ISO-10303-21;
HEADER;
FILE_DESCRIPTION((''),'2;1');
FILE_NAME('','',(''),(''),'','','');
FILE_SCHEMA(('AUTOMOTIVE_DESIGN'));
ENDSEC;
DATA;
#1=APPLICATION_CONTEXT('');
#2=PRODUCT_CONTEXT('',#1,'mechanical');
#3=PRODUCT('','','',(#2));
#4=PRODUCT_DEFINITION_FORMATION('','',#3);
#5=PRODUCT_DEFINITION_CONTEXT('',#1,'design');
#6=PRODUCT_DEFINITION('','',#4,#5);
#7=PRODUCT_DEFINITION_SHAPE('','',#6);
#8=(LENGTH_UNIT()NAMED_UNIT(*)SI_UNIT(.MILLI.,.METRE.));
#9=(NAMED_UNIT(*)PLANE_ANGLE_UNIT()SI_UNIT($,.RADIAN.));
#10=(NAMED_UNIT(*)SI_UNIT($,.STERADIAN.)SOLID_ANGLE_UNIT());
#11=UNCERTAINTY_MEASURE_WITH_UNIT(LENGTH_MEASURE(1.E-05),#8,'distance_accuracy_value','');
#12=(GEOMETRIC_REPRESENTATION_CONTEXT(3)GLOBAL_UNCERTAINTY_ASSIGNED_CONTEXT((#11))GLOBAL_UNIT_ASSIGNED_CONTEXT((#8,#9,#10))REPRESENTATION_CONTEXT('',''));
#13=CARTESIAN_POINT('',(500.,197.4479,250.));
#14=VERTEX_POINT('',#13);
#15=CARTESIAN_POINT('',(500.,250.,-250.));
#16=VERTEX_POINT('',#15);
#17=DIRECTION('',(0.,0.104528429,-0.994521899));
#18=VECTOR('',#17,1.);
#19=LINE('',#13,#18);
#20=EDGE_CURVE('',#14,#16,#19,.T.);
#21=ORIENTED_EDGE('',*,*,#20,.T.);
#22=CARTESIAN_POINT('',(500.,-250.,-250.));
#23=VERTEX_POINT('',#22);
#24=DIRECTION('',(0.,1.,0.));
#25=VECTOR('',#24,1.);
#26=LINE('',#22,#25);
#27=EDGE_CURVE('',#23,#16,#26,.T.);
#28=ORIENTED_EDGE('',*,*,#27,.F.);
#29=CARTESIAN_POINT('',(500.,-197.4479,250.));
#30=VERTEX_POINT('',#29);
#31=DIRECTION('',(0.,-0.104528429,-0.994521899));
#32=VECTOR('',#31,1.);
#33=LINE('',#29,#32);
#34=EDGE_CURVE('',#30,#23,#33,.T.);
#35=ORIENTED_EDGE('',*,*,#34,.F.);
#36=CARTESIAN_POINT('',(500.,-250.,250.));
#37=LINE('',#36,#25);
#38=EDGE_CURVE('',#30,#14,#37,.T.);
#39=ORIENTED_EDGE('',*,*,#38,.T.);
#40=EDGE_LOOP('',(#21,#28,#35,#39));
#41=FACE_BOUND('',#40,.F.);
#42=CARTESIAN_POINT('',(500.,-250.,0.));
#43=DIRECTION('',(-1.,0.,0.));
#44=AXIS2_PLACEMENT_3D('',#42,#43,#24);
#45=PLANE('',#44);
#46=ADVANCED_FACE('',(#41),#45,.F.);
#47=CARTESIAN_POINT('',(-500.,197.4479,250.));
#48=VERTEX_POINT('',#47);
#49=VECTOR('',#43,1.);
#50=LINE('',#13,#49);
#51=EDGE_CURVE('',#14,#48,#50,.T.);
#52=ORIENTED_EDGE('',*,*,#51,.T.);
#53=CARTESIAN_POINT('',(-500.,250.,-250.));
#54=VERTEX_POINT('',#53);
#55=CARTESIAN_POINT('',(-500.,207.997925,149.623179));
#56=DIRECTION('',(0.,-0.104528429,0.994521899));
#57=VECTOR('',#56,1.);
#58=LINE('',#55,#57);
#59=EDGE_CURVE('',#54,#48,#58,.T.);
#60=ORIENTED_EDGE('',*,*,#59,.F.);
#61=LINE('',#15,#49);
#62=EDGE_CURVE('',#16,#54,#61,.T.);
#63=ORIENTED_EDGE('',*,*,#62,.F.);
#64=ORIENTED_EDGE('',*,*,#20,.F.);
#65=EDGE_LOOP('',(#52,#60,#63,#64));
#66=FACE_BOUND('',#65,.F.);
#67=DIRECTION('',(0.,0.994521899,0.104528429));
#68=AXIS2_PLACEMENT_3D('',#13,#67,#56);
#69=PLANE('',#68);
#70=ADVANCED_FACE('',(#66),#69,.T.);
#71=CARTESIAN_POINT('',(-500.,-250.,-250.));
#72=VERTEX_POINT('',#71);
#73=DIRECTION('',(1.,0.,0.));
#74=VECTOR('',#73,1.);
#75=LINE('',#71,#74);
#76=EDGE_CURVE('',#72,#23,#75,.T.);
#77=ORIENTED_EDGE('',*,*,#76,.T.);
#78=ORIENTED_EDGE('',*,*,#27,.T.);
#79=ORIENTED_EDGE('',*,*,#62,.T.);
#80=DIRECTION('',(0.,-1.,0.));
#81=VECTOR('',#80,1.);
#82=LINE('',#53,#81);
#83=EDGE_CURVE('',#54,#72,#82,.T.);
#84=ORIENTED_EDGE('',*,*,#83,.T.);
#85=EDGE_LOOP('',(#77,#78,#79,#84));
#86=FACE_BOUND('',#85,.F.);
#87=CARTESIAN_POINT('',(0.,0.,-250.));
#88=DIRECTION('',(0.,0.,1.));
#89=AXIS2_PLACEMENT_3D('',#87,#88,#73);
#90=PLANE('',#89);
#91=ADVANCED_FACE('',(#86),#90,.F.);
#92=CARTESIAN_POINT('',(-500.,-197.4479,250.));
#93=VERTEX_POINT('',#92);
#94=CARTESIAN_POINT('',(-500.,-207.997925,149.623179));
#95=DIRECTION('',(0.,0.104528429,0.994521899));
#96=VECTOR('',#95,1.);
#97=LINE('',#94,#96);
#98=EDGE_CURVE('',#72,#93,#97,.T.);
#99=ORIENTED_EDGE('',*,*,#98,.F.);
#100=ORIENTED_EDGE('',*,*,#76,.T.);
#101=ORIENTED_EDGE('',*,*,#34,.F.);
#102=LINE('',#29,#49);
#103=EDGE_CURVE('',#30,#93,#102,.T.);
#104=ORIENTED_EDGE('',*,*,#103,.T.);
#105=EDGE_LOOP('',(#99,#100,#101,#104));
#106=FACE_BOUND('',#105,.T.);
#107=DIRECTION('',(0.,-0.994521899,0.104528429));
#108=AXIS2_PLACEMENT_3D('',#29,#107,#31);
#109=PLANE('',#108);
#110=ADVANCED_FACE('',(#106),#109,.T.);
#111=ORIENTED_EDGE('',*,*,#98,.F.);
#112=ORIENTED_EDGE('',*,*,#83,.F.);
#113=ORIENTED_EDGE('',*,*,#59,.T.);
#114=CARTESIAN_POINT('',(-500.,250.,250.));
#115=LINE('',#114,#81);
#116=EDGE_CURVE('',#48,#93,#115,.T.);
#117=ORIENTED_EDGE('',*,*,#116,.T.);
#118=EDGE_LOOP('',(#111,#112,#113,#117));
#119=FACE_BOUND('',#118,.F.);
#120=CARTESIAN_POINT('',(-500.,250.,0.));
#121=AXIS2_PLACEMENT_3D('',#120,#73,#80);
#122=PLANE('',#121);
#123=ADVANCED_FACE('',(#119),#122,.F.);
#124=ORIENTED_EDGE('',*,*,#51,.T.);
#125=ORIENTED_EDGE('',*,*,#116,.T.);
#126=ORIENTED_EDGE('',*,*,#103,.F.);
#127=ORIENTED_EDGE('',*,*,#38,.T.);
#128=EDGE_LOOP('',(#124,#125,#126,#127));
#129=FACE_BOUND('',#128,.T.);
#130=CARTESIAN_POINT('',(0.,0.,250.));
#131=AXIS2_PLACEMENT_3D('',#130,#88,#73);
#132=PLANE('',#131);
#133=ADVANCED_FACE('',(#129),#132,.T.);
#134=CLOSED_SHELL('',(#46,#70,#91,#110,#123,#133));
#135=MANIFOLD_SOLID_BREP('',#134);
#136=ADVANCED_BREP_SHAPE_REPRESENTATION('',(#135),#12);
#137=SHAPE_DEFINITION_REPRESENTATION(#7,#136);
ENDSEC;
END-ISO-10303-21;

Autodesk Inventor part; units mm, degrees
sketch "Sketch5" plane through (0, 0, 0) normal (0, 0, 1) x (1, 0, 0)
  line L0 (-500, -250) -> (500, -250)
  line L1 (500, -250) -> (500, 250)
  line L2 (500, 250) -> (-500, 250)
  line L3 (-500, 250) -> (-500, -250)
  line L4 (-500, -250) -> (500, 250) construction
  line L5 (500, -250) -> (-500, 250) construction
  point P0 (0, 0)
  dimension "d11" = 1000
  dimension "d12" = 500
extrude "Extrusion3" add sketch "Sketch5" along normal mid plane 500
sketch "Sketch6" plane through (500, -250, 250) normal (1, 0, 0) x (0, 0, -1)
  line L0 (0, 0) -> (0, 500) construction
  line L1 (500, 0) -> (500, 500) construction
  line L2 (0, 52.5521) -> (500, 0)
  line L3 (500, 0) -> (0, 0)
  line L4 (0, 0) -> (0, 52.5521)
  point P0 (250, 250)
  dimension "d15" = 6
extrude "Extrusion4" cut sketch "Sketch6" against normal up to next
mirror "Mirror2" about plane through (0, 0, 0) normal (0, 1, 0) of "Extrusion4"
sketch "Sketch7" plane through (-500, -250, -250) normal (0, -0.9945, 0.1045) x (1, 0, 0)
  line L0 (0, 402.7541) -> (1000, 315.2655)
  line L1 (1000, 502.7541) -> (1000, 0) construction
  line L2 (0, 502.7541) -> (1000, 502.7541) construction
  line L3 (0, 0) -> (0, 502.7541) construction
  point P0 (500, 274.7626)
  dimension "d18" = 5
  dimension "d19" = 100
sketch "Sketch8" plane through (-500, -250, -250) normal (0, -0.9945, 0.1045) x (1, 0, 0)
  line L0 (0, 0) -> (0, 502.7541) construction
  line L1 (0, 90) -> (1000, 212.7846)
  line L2 (1000, 502.7541) -> (1000, 0) construction
  line L3 (1000, 0) -> (0, 0) construction
  point P0 (500, 274.7626)
  dimension "d20" = 7
  dimension "d21" = 90
properties part number "Telaio"
